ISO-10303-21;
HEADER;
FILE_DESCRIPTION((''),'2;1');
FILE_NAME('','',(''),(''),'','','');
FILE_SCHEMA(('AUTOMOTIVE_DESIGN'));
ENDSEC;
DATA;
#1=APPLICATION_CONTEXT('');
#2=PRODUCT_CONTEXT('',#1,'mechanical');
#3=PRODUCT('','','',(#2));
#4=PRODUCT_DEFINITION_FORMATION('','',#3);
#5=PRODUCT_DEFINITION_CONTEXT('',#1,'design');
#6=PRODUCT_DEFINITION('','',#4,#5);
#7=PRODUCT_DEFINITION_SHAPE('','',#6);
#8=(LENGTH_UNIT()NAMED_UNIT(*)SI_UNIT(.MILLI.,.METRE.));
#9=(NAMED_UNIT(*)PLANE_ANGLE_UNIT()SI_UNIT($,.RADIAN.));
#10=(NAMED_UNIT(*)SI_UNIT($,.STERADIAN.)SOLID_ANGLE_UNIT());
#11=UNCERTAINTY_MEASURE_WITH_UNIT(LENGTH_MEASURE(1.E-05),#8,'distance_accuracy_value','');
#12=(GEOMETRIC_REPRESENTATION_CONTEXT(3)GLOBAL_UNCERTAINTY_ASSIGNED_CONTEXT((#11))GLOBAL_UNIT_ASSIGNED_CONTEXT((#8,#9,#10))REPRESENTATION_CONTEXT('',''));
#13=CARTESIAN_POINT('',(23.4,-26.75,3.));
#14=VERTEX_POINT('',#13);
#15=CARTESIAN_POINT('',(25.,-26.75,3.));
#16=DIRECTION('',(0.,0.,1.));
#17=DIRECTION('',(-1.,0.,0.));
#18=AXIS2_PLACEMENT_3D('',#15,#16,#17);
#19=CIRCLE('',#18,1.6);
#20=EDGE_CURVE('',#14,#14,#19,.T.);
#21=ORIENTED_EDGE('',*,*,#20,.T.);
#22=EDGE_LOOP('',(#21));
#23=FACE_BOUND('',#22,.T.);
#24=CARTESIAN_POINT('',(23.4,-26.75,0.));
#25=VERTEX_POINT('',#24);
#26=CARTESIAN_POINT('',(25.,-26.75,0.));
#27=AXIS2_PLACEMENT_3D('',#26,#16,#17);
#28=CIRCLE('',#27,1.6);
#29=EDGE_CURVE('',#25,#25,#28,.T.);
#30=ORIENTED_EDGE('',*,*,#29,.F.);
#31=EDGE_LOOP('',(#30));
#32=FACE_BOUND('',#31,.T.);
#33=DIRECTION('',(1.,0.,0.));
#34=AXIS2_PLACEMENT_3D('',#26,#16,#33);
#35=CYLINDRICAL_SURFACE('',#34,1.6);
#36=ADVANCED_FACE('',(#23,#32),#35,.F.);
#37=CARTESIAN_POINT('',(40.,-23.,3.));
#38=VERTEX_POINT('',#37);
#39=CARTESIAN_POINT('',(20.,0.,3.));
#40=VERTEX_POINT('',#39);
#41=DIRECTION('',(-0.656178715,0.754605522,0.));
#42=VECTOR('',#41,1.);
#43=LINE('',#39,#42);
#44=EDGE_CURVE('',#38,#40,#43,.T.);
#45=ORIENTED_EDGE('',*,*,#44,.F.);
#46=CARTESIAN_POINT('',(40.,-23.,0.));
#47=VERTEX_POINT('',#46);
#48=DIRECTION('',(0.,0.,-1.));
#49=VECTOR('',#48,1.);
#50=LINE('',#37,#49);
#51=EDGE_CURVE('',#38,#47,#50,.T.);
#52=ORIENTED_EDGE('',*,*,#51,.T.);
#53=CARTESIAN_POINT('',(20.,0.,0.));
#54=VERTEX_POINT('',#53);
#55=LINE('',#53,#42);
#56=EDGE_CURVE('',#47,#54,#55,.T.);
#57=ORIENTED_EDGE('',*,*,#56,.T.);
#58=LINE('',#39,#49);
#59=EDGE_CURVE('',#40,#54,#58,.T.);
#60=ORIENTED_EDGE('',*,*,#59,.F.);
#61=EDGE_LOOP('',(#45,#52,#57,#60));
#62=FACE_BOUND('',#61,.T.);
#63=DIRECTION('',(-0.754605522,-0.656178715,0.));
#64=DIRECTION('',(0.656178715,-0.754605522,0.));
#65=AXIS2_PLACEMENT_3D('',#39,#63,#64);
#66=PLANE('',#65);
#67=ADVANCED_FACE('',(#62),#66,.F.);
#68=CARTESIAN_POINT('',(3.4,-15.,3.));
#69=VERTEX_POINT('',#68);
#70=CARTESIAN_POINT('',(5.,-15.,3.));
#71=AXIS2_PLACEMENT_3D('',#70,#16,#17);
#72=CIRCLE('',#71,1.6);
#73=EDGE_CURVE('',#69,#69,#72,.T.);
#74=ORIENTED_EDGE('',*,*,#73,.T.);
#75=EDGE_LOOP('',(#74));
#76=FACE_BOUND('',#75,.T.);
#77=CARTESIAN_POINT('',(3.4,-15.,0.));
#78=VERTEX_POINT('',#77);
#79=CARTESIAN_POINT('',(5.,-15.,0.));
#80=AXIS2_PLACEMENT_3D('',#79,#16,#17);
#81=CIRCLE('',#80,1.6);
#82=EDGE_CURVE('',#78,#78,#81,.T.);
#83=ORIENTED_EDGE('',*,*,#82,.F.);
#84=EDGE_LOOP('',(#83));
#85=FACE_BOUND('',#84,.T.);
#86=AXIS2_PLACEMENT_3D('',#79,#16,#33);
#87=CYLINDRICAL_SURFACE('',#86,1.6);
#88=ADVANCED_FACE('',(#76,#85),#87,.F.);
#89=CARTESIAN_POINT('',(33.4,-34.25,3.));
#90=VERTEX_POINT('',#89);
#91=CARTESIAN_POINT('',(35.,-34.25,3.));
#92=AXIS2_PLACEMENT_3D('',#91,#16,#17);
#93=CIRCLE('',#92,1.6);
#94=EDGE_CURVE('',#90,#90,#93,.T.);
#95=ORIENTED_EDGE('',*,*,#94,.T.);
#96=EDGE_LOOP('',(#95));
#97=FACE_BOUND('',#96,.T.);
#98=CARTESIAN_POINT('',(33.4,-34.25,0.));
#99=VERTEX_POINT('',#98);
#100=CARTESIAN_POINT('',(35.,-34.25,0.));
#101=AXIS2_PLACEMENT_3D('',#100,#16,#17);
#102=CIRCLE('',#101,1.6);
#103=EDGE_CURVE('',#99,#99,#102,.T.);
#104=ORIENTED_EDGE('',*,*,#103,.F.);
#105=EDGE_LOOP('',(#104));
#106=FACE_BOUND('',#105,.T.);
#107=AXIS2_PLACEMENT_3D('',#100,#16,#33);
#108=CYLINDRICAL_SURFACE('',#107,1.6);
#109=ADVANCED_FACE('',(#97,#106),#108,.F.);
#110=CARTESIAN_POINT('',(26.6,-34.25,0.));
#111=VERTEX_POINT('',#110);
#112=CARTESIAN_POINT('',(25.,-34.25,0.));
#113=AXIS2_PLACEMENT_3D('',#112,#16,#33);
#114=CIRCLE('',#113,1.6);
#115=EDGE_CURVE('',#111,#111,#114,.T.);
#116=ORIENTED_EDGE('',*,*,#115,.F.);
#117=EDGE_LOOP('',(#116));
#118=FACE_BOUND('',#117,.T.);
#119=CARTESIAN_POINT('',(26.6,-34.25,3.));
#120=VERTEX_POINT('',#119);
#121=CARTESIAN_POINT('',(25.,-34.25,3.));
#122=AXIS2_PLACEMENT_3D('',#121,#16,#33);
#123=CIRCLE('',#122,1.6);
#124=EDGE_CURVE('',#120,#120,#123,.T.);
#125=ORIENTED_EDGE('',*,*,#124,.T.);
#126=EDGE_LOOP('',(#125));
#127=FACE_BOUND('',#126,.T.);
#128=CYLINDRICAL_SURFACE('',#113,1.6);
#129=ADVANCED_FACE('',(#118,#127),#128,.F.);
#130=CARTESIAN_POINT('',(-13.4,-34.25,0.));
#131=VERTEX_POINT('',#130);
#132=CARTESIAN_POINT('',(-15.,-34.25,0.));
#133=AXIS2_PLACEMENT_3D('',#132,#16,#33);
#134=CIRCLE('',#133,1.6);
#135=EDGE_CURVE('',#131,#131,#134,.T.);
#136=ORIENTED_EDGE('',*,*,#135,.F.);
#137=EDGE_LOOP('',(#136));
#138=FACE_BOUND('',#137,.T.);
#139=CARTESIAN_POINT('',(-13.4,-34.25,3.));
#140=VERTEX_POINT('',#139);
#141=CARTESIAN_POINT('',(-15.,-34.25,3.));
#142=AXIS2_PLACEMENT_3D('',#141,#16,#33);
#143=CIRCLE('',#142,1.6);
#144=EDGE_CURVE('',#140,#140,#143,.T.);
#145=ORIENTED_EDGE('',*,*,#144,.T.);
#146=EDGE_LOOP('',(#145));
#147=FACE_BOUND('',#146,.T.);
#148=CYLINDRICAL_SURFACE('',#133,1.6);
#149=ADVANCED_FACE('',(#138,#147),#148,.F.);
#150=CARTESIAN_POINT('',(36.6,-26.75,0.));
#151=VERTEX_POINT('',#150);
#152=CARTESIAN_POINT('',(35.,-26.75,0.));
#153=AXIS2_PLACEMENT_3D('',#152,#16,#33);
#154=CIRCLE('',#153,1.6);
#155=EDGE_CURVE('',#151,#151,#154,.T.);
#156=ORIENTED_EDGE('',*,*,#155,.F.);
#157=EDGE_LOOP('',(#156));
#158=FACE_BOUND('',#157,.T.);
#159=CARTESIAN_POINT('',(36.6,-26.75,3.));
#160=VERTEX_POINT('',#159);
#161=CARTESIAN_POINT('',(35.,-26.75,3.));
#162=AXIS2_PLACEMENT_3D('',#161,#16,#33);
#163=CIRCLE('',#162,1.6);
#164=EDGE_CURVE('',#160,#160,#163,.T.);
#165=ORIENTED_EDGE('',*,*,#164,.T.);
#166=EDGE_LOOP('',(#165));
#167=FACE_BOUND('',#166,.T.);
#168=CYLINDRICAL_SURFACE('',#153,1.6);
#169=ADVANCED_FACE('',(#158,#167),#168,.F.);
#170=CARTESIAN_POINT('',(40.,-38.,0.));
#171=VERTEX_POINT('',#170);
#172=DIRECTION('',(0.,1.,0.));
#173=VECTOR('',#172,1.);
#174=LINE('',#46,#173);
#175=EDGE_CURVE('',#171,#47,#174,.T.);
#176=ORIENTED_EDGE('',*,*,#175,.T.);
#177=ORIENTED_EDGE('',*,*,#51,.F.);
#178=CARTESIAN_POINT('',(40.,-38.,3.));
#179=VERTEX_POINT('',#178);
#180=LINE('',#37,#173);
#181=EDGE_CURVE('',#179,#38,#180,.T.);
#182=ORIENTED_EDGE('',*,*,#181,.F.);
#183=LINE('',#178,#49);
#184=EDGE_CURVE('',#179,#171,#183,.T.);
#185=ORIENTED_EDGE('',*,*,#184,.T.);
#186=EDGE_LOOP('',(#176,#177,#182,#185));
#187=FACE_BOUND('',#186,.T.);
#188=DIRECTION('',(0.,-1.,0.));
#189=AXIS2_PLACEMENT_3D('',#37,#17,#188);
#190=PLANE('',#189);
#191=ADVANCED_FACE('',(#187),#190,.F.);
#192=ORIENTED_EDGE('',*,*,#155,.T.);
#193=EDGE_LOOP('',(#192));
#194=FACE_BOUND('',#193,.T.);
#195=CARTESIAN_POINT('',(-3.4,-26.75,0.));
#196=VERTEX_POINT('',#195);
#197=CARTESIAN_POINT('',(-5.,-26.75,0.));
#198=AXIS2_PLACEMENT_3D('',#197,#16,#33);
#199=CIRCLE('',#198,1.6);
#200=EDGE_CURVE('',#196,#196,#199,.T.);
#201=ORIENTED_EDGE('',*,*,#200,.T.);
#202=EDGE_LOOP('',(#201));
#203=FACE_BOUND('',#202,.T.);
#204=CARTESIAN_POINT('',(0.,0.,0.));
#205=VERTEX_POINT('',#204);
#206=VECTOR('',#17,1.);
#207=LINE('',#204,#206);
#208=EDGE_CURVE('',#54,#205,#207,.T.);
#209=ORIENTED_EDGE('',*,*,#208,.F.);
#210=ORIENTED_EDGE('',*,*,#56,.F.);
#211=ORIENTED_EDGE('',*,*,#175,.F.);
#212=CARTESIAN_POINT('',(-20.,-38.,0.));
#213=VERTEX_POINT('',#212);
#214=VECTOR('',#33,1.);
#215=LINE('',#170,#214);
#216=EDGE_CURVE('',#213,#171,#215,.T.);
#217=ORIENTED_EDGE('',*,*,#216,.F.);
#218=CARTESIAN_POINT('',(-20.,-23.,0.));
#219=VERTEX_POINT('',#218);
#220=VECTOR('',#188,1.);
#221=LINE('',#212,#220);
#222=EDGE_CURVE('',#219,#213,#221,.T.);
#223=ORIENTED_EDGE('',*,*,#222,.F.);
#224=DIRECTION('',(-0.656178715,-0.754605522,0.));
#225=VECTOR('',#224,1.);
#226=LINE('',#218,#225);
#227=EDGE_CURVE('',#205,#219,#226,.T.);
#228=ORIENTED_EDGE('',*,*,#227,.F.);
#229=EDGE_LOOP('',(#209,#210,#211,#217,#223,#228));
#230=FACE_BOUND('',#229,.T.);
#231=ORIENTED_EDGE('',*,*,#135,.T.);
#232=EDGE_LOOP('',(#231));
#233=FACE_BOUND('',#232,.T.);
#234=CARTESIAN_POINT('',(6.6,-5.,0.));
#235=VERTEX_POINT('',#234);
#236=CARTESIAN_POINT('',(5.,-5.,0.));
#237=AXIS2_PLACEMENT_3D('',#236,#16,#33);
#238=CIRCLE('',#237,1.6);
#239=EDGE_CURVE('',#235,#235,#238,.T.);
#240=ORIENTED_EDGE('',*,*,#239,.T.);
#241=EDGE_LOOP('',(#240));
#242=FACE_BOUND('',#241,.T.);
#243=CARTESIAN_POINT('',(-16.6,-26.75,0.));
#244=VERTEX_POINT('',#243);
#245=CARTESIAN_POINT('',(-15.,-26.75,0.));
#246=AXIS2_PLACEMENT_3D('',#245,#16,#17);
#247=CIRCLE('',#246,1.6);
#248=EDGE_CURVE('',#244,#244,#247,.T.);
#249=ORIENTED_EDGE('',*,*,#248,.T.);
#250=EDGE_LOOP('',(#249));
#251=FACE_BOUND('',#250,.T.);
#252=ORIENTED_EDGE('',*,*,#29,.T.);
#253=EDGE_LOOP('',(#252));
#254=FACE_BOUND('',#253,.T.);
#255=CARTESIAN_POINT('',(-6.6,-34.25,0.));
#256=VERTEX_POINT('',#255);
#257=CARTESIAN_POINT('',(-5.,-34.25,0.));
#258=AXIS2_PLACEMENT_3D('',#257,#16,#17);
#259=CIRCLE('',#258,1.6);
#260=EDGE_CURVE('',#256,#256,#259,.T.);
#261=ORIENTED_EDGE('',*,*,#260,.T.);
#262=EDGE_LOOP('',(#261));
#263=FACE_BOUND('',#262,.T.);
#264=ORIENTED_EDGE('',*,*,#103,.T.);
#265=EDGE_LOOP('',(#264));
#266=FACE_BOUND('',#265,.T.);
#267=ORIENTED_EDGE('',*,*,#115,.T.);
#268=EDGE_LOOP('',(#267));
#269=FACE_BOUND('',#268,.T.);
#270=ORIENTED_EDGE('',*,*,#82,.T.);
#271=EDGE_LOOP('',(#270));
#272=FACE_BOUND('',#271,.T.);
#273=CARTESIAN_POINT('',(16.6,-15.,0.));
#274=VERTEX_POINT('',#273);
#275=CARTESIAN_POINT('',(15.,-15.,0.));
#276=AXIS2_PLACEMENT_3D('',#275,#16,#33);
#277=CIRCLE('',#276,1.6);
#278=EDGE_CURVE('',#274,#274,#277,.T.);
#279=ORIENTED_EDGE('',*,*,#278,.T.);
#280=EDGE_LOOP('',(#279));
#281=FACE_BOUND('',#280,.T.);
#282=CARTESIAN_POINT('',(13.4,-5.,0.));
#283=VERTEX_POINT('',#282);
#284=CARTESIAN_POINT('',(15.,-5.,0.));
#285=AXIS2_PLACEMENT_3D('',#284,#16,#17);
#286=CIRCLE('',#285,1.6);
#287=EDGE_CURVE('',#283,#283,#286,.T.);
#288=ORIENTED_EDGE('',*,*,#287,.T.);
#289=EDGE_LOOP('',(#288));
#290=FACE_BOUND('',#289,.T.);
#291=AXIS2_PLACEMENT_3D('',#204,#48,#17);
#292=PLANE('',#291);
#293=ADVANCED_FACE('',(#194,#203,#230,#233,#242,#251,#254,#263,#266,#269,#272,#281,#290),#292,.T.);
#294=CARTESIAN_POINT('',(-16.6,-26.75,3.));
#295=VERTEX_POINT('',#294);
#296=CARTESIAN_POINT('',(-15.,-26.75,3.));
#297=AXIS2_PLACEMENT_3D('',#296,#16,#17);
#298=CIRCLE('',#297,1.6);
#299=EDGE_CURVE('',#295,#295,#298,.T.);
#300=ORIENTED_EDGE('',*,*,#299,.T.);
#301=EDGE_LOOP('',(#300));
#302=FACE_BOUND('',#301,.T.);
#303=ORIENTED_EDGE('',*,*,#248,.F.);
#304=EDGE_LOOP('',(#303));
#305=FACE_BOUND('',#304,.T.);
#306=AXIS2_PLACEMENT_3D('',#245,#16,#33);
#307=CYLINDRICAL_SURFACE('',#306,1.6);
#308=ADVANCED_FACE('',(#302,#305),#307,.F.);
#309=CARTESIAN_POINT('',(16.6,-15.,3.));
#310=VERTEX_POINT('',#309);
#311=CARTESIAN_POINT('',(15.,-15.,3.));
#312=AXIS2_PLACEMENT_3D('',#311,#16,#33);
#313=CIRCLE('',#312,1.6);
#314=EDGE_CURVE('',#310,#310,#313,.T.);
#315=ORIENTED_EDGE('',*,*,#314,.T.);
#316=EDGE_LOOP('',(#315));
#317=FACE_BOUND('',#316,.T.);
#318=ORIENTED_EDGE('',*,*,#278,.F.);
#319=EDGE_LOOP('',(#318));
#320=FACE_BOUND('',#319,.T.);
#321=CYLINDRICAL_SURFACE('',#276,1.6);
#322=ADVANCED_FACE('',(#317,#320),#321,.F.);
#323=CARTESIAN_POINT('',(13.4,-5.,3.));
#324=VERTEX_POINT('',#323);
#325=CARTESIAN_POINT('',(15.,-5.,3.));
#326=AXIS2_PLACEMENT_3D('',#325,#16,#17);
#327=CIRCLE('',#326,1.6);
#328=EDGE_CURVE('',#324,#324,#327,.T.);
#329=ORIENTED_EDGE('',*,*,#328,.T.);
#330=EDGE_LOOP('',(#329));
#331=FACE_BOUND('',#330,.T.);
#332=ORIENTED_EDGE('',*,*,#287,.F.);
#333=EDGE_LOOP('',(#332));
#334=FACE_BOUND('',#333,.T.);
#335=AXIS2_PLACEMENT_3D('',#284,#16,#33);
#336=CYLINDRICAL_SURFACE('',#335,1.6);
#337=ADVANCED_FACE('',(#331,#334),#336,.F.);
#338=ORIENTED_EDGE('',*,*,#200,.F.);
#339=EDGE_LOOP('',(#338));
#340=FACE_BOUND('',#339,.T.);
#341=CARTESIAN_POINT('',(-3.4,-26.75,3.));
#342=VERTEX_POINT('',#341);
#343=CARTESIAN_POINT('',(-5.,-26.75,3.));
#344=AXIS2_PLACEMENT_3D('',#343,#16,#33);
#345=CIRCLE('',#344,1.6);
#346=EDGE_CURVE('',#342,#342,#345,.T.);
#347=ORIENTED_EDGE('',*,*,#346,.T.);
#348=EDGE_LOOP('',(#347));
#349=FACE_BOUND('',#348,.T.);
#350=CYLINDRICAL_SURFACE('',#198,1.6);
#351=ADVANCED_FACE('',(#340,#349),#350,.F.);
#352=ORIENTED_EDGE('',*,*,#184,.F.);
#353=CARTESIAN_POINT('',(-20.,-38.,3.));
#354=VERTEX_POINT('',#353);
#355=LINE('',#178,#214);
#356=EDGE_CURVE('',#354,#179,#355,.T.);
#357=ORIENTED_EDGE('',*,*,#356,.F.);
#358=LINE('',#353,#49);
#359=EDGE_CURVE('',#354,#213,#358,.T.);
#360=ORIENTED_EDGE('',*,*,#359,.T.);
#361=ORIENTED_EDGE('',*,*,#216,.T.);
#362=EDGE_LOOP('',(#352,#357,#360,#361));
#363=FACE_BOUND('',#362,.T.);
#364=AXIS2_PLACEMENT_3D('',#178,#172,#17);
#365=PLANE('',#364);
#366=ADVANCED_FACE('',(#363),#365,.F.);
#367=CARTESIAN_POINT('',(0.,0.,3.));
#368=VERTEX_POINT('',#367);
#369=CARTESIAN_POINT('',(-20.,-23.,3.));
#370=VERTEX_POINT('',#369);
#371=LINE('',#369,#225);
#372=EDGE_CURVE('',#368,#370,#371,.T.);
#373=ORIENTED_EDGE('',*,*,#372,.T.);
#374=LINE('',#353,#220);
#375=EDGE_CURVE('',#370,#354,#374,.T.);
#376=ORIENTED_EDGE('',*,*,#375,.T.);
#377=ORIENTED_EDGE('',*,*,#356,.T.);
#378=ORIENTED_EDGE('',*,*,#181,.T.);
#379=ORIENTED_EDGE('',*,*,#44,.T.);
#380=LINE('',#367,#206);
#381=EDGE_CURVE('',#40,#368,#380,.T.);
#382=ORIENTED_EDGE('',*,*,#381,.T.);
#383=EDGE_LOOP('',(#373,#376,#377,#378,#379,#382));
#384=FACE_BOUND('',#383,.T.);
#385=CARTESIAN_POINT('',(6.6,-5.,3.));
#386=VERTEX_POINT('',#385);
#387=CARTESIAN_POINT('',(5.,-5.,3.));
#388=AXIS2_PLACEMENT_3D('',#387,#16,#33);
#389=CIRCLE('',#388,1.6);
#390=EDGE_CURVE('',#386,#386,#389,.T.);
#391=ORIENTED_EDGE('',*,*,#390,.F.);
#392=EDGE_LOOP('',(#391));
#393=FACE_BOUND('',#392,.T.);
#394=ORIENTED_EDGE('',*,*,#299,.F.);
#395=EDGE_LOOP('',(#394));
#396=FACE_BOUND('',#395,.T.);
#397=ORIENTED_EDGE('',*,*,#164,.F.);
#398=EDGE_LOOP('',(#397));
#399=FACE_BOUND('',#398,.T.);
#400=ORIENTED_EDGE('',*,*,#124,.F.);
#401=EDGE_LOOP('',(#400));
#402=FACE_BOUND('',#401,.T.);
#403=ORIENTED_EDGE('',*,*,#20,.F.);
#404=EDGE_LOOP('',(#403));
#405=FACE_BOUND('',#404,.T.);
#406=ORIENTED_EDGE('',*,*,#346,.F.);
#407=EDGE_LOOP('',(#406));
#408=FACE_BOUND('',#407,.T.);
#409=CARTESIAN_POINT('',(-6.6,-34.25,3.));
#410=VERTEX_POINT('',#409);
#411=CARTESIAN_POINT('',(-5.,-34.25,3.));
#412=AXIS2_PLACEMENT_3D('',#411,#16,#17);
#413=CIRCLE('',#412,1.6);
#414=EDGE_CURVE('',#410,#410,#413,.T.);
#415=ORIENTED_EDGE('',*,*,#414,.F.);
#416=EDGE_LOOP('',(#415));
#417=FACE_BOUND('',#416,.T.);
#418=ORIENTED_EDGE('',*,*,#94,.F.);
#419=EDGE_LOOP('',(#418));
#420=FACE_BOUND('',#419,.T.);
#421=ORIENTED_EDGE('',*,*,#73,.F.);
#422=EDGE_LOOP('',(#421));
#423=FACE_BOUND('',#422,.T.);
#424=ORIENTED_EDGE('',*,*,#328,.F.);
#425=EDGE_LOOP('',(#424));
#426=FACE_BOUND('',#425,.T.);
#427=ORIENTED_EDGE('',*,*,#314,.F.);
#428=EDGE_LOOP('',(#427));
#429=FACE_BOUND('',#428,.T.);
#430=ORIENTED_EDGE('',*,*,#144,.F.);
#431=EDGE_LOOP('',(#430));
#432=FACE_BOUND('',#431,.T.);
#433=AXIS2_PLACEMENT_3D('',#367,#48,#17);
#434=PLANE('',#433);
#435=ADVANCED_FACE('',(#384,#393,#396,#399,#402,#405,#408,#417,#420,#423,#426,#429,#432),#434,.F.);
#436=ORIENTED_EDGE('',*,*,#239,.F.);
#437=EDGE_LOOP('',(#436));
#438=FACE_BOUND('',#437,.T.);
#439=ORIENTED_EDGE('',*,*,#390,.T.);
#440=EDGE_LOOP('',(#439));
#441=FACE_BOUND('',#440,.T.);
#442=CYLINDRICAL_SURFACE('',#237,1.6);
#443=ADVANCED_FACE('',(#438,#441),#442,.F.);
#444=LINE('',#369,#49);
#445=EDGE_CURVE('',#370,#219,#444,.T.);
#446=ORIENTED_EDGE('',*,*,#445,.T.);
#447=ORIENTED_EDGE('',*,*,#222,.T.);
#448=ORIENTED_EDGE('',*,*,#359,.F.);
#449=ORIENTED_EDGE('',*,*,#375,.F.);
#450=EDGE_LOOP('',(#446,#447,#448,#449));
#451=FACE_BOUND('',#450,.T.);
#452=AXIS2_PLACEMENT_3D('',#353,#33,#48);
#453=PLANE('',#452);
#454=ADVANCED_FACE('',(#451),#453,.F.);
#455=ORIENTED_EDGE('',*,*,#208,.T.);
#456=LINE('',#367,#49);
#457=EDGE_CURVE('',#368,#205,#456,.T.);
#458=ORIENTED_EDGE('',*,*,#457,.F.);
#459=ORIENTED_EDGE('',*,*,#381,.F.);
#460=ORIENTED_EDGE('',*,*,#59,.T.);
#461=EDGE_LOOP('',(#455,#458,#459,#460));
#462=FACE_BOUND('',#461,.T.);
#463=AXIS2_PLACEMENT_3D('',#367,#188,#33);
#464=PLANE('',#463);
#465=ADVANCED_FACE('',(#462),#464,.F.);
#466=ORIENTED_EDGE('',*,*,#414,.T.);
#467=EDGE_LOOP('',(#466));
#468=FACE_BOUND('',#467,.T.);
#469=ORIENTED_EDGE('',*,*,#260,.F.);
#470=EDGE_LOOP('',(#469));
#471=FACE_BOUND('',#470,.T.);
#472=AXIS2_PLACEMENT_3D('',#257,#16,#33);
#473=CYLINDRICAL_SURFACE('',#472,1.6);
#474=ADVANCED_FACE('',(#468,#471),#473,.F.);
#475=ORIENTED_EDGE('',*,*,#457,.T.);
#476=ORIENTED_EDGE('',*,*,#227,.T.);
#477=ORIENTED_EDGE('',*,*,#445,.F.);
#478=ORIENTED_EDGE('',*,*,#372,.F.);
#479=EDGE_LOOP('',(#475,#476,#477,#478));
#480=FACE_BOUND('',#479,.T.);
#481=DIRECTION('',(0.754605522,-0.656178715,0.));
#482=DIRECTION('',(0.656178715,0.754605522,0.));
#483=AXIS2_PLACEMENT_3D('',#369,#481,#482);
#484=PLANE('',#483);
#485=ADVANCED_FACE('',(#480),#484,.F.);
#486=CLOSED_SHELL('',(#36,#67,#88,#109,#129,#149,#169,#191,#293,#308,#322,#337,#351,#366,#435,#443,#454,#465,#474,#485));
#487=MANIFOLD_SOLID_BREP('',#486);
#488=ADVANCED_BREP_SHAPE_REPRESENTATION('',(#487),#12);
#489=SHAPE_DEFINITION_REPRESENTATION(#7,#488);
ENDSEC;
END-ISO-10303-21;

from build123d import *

# Parameters (mm, degrees)
EXTRUDE_1_DEPTH     = 3
SKETCH_2_R          = 1.6
CUT_EXTRUDE_1_DEPTH = 56.253959134


with BuildPart() as part:
    # 草图1 → 凸台-拉伸1 (new body)
    with BuildSketch(Plane.XY):
        Polygon((0, 0), (20, 0), (40, -23), (40, -38), (-20, -38), (-20, -23), align=None)
    extrude(amount=EXTRUDE_1_DEPTH)

    # 草图2 → 切除-拉伸1 (cut, through all)
    with BuildSketch(Plane.XY.offset(3)):
        with Locations((-15, -34.25)):
            Circle(SKETCH_2_R)
        with Locations(Location((-15, -26.75, 0), (0, 0, 180))):
            Circle(SKETCH_2_R)
        with Locations(Location((-5, -34.25, 0), (0, 0, 180))):
            Circle(SKETCH_2_R)
        with Locations((-5, -26.75)):
            Circle(SKETCH_2_R)
        with Locations((25, -34.25)):
            Circle(SKETCH_2_R)
        with Locations(Location((35, -34.25, 0), (0, 0, 180))):
            Circle(SKETCH_2_R)
        with Locations(Location((25, -26.75, 0), (0, 0, 180))):
            Circle(SKETCH_2_R)
        with Locations((35, -26.75)):
            Circle(SKETCH_2_R)
        with Locations((5, -5)):
            Circle(SKETCH_2_R)
        with Locations(Location((15, -5, 0), (0, 0, 180))):
            Circle(SKETCH_2_R)
        with Locations((15, -15)):
            Circle(SKETCH_2_R)
        with Locations(Location((5, -15, 0), (0, 0, 180))):
            Circle(SKETCH_2_R)
    extrude(amount=-CUT_EXTRUDE_1_DEPTH, mode=Mode.SUBTRACT)


solid = part.part
